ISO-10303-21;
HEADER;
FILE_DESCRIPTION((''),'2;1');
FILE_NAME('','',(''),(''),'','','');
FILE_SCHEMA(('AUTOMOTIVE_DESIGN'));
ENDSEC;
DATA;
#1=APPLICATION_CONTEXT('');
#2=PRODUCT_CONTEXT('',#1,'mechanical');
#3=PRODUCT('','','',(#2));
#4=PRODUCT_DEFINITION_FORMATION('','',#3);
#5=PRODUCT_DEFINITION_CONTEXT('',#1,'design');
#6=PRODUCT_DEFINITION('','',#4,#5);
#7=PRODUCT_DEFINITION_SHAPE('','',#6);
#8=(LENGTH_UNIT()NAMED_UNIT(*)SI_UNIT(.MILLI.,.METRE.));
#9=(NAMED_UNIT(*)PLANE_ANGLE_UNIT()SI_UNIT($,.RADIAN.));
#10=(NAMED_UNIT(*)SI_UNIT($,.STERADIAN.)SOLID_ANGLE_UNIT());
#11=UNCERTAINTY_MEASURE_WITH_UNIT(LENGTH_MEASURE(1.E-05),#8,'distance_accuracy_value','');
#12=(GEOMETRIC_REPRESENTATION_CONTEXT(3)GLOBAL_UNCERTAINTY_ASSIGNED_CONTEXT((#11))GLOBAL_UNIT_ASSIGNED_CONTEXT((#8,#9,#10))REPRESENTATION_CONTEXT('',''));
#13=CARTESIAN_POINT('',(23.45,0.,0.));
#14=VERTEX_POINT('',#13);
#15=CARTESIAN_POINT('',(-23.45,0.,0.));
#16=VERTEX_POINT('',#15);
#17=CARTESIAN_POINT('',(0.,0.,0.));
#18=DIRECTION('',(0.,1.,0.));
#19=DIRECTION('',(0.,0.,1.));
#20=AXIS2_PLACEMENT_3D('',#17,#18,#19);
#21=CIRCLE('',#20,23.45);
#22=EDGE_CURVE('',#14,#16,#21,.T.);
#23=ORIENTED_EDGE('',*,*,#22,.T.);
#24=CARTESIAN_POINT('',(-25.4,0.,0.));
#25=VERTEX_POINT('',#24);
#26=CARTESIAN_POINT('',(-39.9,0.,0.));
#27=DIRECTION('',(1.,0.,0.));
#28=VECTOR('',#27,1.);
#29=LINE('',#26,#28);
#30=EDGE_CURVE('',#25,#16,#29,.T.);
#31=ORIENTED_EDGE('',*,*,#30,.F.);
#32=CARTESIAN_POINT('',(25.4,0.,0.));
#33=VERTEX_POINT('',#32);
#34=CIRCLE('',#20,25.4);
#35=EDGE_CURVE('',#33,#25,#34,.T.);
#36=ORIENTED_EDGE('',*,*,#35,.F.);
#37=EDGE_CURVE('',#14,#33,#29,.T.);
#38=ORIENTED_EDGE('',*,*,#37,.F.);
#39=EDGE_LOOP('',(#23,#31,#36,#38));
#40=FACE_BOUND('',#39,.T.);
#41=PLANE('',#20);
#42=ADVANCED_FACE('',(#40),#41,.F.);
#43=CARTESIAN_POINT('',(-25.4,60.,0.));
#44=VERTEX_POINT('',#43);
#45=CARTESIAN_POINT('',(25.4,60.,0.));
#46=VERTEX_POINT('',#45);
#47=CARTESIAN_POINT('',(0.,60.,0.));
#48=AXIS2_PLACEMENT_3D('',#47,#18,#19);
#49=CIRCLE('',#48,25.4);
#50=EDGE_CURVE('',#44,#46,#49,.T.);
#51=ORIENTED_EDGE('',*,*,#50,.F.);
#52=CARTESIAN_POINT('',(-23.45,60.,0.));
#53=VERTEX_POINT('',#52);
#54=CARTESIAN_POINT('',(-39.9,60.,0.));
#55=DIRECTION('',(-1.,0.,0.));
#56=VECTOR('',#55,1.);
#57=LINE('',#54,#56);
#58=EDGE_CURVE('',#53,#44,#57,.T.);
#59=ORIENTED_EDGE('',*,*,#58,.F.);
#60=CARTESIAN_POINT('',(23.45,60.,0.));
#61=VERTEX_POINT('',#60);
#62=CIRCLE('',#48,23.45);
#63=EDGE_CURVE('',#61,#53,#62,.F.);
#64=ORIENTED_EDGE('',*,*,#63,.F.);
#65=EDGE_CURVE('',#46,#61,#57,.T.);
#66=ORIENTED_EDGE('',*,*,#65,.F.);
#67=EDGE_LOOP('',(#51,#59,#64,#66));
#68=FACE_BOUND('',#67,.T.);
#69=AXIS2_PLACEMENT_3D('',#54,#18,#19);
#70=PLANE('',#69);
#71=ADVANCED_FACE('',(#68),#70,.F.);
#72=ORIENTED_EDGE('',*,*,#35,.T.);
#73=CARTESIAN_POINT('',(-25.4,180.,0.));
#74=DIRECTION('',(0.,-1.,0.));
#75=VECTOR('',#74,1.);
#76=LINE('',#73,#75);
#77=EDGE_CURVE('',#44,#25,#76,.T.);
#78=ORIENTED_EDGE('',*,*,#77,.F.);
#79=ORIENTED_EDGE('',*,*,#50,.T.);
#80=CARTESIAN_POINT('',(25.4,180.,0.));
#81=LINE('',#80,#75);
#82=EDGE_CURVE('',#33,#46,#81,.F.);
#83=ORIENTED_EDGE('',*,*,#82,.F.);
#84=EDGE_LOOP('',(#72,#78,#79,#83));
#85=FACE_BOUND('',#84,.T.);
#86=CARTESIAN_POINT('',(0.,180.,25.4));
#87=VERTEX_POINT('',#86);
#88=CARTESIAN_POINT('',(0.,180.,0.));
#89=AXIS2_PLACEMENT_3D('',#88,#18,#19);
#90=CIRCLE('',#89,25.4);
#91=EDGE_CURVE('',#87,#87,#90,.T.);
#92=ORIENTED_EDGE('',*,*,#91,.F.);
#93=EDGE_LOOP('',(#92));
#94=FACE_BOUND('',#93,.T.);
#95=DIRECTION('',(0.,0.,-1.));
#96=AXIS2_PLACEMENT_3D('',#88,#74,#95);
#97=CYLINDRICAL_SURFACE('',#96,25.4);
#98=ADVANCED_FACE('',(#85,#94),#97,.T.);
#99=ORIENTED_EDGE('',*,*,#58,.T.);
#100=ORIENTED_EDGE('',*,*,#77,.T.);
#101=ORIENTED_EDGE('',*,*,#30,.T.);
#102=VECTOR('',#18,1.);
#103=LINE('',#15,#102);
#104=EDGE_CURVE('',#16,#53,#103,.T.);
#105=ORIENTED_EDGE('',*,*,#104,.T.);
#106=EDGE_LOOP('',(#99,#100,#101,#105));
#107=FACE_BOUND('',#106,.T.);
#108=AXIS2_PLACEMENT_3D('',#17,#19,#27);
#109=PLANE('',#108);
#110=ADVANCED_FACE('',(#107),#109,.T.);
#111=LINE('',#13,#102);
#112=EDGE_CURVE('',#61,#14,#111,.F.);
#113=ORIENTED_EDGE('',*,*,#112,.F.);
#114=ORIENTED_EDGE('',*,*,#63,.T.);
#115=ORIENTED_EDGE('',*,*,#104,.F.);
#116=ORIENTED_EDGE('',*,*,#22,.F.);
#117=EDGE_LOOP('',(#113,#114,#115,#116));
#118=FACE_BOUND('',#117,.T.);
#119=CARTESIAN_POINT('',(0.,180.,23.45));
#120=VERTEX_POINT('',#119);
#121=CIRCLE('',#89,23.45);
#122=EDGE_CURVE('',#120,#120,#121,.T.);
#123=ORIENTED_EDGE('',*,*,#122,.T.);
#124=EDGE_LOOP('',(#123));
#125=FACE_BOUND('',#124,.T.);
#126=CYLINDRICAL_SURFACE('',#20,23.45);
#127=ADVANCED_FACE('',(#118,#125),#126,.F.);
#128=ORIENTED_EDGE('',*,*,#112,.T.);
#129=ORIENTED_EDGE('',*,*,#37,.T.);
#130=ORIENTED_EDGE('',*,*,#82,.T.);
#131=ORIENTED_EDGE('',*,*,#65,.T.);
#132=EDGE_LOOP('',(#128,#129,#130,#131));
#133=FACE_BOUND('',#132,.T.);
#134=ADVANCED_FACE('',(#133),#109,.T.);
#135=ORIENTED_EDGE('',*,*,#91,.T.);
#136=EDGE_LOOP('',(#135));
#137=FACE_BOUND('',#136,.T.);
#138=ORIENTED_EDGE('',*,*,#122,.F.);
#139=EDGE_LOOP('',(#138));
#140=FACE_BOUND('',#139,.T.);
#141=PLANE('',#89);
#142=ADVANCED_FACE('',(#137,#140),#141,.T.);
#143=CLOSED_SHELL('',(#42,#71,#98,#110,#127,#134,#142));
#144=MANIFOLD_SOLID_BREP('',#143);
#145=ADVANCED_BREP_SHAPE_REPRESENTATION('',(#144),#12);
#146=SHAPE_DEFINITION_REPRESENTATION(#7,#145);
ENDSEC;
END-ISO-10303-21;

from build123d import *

# Parameters (mm, degrees)
SKETCH1_R           = 25.4
BOSS_EXTRUDE1_DEPTH = 180
SKETCH2_R           = 23.45
CUT_EXTRUDE1_DEPTH  = 180
SKETCH4_W           = 79.8
SKETCH4_H           = 60
CUT_EXTRUDE2_DEPTH  = 50


with BuildPart() as part:
    # Sketch1 → Boss-Extrude1 (new body)
    with BuildSketch(Plane(origin=(0, 0, 0), x_dir=(1, 0, 0), z_dir=(0, 1, 0))):
        with Locations(Location((0, 0, 0), (0, 0, 180))):
            Circle(SKETCH1_R)
    extrude(amount=BOSS_EXTRUDE1_DEPTH)

    # Sketch2 → Cut-Extrude1 (cut)
    with BuildSketch(Plane(origin=(0, 180, 0), x_dir=(1, 0, 0), z_dir=(0, 1, 0))):
        with Locations(Location((0, 0, 0), (0, 0, 270))):
            Circle(SKETCH2_R)
    extrude(amount=-CUT_EXTRUDE1_DEPTH, mode=Mode.SUBTRACT)

    # Sketch4 → Cut-Extrude2 (cut)
    with BuildSketch(Plane.XY.offset(50)):
        with Locations((0, 30)):
            Rectangle(SKETCH4_W, SKETCH4_H)
    extrude(amount=-CUT_EXTRUDE2_DEPTH, mode=Mode.SUBTRACT)


solid = part.part
